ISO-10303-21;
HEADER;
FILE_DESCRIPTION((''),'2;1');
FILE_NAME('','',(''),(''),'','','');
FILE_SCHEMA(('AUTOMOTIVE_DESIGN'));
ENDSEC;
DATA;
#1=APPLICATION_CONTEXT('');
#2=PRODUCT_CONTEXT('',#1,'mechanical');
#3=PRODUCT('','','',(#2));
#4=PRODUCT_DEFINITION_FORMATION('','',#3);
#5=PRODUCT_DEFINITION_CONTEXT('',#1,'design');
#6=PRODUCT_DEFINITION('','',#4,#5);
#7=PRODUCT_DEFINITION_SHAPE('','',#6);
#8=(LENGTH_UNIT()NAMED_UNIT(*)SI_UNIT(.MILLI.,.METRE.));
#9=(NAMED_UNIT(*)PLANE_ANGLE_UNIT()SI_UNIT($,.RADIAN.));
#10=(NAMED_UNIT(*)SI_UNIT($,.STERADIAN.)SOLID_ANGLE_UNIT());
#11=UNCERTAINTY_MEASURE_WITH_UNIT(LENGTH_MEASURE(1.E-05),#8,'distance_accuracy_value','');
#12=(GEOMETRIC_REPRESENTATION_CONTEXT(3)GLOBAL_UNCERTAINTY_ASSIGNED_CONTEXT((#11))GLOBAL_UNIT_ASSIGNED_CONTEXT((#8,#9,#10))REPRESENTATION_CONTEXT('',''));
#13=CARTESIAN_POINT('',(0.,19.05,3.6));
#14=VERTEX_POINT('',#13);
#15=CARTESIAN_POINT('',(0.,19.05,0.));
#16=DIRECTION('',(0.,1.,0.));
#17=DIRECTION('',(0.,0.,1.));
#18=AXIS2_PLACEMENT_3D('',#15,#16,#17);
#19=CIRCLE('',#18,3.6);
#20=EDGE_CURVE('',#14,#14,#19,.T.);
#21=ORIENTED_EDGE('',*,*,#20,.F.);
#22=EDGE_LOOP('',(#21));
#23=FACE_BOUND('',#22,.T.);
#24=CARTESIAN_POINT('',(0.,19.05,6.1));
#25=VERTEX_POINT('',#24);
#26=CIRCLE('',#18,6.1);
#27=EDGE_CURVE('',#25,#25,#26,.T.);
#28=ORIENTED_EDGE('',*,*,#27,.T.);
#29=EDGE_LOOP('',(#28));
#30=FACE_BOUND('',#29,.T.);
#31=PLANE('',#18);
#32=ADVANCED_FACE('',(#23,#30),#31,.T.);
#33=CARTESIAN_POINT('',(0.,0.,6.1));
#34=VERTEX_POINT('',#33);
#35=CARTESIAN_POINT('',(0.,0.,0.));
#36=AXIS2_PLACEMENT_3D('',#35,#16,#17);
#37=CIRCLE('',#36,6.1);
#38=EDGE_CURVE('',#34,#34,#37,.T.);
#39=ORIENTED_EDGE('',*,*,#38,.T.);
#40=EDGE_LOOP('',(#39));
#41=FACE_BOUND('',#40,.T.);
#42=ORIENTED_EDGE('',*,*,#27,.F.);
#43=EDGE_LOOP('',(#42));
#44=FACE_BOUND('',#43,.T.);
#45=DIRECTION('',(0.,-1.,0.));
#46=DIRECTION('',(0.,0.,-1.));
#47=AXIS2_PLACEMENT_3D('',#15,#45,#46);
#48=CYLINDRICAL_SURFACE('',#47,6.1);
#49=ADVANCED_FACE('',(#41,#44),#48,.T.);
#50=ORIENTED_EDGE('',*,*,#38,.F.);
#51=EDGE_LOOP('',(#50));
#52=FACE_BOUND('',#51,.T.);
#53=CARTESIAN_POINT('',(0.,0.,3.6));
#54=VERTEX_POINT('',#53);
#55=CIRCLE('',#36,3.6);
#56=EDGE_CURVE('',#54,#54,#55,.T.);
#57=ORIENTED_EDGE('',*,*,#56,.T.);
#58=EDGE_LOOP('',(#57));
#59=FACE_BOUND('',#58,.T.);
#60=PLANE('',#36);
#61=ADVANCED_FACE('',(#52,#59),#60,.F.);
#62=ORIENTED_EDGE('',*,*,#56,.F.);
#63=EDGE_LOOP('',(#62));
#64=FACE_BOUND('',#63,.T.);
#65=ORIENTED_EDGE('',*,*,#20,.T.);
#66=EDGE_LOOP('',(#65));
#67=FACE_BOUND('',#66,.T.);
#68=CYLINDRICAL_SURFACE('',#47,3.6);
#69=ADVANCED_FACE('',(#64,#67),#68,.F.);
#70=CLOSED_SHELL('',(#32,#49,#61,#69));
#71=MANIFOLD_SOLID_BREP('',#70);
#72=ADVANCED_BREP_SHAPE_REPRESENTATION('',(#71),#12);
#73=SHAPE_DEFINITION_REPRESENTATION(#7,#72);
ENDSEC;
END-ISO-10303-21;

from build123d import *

# Parameters (mm, degrees)
SKETCH1_R           = 6.1
SKETCH1_R_2         = 3.6
BOSS_EXTRUDE1_DEPTH = 19.05


with BuildPart() as part:
    # Sketch1 → Boss-Extrude1 (new body)
    with BuildSketch(Plane(origin=(0, 0, 0), x_dir=(1, 0, 0), z_dir=(0, 1, 0))):
        Circle(SKETCH1_R)
        Circle(SKETCH1_R_2, mode=Mode.SUBTRACT)
    extrude(amount=BOSS_EXTRUDE1_DEPTH)


solid = part.part
